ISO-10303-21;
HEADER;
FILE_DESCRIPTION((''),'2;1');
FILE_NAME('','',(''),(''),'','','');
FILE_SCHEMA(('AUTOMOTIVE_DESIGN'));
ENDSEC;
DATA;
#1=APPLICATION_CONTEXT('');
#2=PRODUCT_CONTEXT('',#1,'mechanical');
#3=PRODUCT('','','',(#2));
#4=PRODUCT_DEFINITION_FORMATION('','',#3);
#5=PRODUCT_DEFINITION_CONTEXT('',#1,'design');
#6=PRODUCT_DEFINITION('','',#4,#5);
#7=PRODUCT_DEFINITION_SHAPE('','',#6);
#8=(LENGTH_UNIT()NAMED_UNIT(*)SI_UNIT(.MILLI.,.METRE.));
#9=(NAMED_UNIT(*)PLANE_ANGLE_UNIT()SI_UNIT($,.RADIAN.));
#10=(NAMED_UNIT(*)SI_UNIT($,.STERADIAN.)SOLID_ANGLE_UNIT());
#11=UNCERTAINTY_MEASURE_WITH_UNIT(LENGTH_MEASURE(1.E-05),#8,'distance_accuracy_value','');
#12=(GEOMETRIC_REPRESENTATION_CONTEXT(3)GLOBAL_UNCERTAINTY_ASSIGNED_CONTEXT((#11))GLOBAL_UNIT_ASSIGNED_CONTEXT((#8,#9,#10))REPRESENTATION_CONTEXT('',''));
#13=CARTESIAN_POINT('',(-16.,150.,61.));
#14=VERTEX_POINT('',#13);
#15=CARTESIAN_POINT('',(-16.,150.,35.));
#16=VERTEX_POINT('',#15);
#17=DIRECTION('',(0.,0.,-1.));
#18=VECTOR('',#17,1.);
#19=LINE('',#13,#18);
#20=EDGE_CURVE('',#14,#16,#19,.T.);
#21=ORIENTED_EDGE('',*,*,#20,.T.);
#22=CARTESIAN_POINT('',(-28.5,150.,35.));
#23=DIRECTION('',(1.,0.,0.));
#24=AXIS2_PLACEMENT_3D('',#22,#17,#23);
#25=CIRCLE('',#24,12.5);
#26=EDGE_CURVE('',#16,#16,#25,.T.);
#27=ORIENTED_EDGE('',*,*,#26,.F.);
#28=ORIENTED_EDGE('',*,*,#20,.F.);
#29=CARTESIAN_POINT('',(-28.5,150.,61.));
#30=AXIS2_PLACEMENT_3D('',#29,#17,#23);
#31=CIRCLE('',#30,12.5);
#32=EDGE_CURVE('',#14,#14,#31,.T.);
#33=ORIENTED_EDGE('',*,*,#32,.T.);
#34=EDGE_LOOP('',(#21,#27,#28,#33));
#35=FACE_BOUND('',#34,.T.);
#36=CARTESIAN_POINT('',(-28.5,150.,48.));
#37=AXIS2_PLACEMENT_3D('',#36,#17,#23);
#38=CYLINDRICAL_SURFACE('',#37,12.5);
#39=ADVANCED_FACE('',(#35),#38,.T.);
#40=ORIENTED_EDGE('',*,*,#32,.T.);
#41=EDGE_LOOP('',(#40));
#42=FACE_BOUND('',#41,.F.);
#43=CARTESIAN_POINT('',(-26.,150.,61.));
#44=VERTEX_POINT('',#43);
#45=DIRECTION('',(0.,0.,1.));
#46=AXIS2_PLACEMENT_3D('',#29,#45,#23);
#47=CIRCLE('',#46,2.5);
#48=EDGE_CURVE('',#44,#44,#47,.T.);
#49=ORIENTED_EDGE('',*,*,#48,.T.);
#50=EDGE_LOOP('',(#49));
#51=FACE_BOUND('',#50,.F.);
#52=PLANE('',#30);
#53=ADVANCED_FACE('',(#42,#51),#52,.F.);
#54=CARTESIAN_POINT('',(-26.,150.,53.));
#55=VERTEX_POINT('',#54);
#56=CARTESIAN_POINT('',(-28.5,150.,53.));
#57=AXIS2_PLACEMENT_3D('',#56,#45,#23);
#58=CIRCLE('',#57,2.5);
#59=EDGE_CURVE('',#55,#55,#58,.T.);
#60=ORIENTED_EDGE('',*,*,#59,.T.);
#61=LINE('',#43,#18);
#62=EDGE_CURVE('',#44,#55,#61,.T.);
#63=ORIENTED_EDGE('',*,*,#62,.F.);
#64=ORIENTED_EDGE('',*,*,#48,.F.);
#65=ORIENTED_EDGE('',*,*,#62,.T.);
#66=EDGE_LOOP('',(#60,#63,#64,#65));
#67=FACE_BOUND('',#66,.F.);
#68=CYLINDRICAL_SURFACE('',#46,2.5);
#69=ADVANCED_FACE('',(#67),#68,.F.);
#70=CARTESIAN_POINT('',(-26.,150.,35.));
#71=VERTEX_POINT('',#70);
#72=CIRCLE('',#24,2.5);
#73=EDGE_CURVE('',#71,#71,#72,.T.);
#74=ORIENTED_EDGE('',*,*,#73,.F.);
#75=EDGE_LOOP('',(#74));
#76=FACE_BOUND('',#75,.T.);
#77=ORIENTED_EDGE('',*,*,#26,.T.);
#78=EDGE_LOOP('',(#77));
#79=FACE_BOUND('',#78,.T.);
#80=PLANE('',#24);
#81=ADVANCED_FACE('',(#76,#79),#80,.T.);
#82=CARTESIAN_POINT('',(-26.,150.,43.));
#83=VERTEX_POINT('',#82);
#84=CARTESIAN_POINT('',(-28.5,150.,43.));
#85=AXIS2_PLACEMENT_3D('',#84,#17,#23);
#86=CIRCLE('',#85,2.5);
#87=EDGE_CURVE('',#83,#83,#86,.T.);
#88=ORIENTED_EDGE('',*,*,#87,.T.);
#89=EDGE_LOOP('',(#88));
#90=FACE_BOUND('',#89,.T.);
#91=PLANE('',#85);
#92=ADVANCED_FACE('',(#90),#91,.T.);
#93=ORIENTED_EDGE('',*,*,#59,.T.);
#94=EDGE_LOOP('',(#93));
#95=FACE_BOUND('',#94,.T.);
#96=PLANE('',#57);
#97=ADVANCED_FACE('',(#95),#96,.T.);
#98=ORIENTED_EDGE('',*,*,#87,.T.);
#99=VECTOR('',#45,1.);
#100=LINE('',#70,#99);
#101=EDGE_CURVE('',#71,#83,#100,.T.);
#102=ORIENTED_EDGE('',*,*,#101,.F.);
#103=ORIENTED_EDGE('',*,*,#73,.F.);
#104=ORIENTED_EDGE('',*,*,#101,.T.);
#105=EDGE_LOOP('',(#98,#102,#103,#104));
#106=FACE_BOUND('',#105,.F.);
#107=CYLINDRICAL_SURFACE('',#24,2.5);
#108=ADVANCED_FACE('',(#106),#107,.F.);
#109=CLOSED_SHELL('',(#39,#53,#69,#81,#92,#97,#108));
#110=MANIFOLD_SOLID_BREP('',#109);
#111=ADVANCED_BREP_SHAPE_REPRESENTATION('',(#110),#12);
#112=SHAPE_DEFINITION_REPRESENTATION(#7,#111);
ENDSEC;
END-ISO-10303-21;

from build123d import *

# Parameters (mm, degrees)
SKETCH042_R        = 12.5
PAD013_DEPTH       = 13
SKETCH043_R        = 2.5
POCKET026_DEPTH    = 8
SKETCH044_R        = 2.5
POCKET025_DEPTH    = 8
BODY009_ROLL_ANGLE = 90


with BuildPart() as part:
    # Sketch042 → Pad013 (new body, symmetric)
    with BuildSketch(Plane.XZ):
        Circle(SKETCH042_R)
    extrude(amount=PAD013_DEPTH, both=True)

    # Sketch043 (on Face3 of Pad013) → Pocket026 (cut)
    with BuildSketch(Plane.XZ.offset(13)):
        Circle(SKETCH043_R)
    extrude(amount=-POCKET026_DEPTH, mode=Mode.SUBTRACT)

    # Sketch044 (on Face2 of Pocket026) → Pocket025 (cut)
    with BuildSketch(Plane(origin=(0, 13, 0), x_dir=(1, 0, 0), z_dir=(0, 1, 0))):
        Circle(SKETCH044_R)
    extrude(amount=-POCKET025_DEPTH, mode=Mode.SUBTRACT)


with BuildPart() as part_1:
    # Body009 roll: moved
    add(part.part.rotate(Axis((0, 0, 0), (1, 0, 0)), BODY009_ROLL_ANGLE))


with BuildPart() as part_2:
    # Body009 placement: moved
    add(part_1.part.moved(Location((-28.5, 150, 48))))


solid = part_2.part
